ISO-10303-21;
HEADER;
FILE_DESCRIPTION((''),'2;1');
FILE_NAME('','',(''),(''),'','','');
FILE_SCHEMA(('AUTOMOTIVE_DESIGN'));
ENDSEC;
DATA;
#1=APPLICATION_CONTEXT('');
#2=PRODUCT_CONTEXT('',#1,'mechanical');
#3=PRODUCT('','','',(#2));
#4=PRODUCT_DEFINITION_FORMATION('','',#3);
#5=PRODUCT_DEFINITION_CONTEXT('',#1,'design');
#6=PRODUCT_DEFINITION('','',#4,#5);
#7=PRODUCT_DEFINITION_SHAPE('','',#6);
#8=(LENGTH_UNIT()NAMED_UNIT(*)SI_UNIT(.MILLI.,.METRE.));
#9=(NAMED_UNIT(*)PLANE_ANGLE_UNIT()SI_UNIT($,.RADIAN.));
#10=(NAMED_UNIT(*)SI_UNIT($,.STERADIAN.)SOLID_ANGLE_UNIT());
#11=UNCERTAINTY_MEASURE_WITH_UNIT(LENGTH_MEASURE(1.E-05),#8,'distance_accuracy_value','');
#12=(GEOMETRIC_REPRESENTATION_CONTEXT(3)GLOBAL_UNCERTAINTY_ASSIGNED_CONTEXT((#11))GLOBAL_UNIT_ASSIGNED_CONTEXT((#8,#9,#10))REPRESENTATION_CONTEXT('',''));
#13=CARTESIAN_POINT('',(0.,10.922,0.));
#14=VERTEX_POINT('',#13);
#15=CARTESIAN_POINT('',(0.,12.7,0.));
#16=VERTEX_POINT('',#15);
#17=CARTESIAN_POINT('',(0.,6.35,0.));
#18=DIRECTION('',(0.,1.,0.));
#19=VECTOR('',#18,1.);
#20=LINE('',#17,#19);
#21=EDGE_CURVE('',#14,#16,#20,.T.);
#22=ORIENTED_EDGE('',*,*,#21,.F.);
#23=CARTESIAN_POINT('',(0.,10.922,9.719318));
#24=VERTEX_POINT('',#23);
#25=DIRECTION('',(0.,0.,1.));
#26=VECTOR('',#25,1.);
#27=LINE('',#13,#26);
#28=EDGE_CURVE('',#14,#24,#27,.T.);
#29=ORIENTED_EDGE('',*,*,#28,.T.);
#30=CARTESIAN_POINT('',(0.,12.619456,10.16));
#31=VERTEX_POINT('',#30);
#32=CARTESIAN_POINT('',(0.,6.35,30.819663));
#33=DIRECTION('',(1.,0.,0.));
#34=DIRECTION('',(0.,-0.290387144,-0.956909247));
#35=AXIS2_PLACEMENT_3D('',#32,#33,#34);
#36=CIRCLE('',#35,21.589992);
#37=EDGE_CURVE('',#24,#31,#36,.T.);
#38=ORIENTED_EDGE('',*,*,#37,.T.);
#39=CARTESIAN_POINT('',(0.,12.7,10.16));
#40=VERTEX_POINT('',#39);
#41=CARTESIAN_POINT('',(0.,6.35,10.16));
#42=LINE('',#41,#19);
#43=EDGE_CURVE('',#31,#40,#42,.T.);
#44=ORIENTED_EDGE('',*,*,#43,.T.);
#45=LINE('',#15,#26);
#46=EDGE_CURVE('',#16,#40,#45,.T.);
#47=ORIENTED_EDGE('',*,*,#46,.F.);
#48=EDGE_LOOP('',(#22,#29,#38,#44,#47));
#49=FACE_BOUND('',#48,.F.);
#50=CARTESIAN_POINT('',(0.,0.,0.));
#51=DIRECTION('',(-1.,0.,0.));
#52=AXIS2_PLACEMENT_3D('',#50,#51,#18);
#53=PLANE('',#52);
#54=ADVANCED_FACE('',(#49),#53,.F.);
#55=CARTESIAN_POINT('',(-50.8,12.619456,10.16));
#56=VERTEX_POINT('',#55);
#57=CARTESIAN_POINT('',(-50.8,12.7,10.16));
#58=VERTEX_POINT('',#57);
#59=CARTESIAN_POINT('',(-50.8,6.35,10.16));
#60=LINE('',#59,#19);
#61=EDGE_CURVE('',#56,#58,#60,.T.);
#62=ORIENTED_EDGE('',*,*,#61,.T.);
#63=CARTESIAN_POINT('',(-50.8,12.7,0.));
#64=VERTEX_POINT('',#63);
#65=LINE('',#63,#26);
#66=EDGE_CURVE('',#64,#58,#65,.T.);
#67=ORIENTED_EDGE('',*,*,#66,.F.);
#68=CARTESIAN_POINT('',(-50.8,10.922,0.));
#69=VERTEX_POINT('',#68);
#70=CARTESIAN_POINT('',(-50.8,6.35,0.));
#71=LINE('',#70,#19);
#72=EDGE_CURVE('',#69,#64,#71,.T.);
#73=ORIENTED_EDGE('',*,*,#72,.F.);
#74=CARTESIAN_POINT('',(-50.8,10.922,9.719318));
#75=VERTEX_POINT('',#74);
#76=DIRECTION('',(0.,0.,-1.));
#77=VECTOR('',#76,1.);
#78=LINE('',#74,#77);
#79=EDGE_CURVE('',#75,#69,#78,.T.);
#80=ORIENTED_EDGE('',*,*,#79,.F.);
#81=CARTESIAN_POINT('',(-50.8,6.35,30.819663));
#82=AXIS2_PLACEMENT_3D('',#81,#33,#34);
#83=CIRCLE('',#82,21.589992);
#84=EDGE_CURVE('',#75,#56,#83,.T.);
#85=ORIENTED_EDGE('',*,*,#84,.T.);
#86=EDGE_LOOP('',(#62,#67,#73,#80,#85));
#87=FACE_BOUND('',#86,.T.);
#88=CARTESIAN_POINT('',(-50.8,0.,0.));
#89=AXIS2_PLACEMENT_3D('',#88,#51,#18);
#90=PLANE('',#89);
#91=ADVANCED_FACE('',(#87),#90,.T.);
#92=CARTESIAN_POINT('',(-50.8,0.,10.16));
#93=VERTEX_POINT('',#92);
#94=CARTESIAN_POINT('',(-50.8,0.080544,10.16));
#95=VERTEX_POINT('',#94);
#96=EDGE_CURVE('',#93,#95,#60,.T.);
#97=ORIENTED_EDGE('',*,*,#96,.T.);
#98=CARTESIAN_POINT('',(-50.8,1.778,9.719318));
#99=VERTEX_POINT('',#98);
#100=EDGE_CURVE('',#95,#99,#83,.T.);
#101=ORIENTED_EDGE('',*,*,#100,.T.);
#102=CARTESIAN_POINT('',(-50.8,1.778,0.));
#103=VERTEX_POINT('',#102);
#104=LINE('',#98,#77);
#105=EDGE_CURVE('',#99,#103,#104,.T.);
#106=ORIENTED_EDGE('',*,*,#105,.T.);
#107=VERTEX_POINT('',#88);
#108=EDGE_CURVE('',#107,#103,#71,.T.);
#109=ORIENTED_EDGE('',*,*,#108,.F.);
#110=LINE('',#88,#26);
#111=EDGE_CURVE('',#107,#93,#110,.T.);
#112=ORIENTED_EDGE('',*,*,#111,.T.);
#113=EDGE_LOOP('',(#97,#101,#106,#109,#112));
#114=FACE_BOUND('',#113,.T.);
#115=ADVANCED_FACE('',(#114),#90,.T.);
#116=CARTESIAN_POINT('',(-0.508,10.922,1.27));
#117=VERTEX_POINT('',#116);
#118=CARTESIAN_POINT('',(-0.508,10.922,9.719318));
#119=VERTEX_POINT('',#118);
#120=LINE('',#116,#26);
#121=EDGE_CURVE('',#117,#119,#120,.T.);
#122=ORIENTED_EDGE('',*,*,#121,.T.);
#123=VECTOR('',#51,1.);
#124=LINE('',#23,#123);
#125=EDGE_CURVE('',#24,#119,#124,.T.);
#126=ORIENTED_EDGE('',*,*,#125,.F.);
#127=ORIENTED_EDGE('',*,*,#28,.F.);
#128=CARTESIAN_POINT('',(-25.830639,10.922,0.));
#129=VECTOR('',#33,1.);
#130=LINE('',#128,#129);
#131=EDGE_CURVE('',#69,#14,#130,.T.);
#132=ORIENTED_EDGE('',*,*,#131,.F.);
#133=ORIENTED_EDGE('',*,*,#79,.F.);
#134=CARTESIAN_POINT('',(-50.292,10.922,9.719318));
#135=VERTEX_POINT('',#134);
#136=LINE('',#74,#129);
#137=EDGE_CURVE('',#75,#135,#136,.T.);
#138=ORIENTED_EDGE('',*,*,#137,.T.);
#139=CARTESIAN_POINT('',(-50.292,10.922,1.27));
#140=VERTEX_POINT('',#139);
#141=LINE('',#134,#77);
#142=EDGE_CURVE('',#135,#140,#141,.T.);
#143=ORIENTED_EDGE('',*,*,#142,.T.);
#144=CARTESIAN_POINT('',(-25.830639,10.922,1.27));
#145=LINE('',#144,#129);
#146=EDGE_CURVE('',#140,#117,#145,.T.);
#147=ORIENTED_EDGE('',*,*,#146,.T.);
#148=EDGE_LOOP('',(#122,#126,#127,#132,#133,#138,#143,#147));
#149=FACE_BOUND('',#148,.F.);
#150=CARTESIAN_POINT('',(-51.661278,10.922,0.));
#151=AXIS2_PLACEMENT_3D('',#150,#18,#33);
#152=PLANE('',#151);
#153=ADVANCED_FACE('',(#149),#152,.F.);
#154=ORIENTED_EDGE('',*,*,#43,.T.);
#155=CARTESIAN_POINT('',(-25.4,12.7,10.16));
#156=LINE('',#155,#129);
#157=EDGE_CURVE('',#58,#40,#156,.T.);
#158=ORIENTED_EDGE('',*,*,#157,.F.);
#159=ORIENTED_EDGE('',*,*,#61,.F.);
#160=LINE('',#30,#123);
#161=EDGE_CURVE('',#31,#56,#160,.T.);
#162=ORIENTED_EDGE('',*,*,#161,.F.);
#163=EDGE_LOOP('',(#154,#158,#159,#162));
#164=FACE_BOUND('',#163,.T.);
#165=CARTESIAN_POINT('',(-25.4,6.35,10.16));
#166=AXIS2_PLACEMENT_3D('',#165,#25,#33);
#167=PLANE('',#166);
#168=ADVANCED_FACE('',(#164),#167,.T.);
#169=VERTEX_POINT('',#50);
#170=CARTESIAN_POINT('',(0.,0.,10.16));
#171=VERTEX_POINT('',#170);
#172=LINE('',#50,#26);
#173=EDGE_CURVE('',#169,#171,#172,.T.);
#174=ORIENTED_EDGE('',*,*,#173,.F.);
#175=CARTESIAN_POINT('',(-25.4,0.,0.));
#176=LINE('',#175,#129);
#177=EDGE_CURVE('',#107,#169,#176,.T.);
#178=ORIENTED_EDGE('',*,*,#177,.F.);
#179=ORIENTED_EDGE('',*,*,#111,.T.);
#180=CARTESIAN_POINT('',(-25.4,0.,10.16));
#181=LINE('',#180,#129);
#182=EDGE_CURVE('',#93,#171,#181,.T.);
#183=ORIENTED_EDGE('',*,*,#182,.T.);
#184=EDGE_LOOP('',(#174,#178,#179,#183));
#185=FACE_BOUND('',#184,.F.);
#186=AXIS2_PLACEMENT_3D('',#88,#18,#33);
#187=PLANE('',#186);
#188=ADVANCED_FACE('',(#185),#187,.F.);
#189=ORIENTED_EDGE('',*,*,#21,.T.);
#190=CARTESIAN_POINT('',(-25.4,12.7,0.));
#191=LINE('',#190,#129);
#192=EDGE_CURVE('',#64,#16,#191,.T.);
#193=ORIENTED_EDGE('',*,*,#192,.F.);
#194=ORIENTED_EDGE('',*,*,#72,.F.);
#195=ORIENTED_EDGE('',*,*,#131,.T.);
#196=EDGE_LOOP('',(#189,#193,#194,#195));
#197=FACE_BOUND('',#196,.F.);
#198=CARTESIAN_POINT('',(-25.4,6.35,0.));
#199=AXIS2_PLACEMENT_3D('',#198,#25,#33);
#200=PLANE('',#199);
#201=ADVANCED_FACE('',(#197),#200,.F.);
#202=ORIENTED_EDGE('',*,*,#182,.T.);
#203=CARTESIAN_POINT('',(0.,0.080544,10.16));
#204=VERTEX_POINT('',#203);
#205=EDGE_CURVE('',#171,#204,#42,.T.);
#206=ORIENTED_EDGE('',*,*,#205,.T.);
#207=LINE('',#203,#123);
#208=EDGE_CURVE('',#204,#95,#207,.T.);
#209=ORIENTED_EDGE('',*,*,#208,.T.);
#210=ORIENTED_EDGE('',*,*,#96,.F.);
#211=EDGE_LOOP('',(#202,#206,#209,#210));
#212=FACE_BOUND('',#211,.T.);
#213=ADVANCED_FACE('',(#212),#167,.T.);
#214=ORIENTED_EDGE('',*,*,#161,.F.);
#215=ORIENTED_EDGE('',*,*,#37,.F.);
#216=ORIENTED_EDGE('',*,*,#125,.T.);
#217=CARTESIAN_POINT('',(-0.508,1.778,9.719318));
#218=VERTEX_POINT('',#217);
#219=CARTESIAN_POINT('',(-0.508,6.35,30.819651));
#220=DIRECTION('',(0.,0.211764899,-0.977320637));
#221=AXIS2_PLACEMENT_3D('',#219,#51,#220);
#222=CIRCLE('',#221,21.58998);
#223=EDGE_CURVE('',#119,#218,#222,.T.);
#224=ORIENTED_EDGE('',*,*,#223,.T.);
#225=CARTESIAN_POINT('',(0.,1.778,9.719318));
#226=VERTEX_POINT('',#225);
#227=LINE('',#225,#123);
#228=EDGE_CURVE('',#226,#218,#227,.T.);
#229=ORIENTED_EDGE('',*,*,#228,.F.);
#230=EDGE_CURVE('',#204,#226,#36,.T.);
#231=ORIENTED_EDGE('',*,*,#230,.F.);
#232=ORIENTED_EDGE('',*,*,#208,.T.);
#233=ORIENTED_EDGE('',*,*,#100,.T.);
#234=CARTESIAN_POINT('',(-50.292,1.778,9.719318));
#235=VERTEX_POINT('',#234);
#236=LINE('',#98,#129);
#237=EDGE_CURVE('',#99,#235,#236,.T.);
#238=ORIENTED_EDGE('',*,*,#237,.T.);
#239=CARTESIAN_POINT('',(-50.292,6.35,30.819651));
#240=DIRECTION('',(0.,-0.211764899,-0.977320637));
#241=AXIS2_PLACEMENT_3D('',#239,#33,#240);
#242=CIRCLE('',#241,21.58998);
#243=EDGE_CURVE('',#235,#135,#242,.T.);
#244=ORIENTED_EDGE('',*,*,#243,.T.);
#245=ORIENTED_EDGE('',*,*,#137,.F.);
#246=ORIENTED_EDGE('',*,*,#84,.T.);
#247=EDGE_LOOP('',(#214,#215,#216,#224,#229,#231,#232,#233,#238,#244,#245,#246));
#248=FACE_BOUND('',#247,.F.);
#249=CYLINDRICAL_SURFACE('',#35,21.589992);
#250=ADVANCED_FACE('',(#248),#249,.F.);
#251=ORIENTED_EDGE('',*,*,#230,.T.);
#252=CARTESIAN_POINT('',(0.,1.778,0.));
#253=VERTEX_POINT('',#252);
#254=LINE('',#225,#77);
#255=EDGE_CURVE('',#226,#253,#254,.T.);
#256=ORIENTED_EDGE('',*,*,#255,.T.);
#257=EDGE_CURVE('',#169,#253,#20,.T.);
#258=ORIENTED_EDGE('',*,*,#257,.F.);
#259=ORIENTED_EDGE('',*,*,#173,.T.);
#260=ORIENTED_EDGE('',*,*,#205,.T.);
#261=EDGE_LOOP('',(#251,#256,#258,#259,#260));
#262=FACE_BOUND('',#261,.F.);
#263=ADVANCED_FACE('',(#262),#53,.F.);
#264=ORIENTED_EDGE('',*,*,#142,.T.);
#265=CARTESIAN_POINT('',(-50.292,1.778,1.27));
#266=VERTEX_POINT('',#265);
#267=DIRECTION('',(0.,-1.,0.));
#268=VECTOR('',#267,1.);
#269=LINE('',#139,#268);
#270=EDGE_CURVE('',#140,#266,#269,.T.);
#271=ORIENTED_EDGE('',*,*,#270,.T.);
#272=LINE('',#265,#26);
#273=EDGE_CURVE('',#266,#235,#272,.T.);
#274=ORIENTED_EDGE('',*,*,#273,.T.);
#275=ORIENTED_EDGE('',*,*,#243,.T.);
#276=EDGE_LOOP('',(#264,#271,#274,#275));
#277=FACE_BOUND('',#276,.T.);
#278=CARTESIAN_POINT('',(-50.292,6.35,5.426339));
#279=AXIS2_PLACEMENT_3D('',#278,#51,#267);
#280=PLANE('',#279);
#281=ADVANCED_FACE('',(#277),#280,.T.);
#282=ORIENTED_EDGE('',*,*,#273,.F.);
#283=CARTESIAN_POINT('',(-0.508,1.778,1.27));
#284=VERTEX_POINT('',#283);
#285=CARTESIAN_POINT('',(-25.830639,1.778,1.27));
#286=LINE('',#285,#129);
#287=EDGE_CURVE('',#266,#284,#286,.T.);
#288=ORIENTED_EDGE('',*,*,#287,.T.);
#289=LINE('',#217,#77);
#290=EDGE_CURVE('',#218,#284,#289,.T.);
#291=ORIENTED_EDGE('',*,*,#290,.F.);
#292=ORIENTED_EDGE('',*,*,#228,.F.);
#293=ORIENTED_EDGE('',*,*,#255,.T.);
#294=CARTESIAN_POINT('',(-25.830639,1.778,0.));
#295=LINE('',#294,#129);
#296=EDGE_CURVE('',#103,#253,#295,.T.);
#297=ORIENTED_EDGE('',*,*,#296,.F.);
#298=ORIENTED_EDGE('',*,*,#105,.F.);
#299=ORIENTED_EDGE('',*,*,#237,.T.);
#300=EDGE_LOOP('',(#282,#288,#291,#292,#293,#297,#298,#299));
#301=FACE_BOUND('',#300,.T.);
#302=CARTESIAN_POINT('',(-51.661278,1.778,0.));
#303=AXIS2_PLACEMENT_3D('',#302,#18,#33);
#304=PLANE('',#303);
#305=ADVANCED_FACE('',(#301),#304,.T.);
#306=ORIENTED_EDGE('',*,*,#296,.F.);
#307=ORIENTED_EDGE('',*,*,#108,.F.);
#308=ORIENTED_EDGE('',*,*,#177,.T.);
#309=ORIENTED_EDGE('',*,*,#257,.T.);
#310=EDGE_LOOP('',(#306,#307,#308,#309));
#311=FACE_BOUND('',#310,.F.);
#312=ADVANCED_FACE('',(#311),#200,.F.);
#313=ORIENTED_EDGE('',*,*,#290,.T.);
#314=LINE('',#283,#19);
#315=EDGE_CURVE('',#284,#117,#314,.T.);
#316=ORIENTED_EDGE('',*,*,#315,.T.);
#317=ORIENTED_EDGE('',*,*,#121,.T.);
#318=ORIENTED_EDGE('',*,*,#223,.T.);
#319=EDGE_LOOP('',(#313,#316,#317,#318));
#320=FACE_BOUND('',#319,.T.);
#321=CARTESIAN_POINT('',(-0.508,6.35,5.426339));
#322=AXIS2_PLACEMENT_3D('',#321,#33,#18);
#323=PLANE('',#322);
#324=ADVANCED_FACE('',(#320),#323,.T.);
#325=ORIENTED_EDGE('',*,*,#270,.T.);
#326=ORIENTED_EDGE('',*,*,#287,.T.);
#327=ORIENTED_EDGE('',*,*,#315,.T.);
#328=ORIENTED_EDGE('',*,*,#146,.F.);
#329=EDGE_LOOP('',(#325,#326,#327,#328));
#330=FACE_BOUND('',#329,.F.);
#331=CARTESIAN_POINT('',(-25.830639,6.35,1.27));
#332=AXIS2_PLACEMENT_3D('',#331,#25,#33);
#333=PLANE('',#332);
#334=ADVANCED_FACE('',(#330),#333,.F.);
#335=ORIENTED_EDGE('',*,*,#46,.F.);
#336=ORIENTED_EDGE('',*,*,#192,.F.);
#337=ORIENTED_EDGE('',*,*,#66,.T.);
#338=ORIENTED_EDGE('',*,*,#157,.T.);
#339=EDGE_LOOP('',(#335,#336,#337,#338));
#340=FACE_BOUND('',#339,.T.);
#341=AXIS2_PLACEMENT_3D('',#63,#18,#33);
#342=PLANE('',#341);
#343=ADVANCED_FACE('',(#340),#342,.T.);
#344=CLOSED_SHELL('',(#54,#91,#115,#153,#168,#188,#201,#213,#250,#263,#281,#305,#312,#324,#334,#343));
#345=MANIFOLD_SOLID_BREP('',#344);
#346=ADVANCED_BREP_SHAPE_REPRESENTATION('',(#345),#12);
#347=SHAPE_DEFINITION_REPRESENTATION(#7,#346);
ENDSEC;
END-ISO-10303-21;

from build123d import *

# Parameters (mm, degrees)
F0_W     = 50.8
F0_H     = 12.7
F1_DEPTH = 10.16
F2_W     = 51.661278
F2_H     = 9.144
F3_DEPTH = 1.27
F5_DEPTH = 59.69
F7_DEPTH = 0.508
F9_DEPTH = 0.508


with BuildPart() as f1:
    # F0 (on Top) → F1 (new body)
    with BuildSketch(Plane.XY):
        with Locations((-25.4, 6.35)):
            Rectangle(F0_W, F0_H)
    extrude(amount=F1_DEPTH)

    # F2 (on Top) → F3 (cut)
    with BuildSketch(Plane.XY):
        with Locations((-25.830639, 6.35)):
            Rectangle(F2_W, F2_H)
    extrude(amount=F3_DEPTH, mode=Mode.SUBTRACT)

    # F4 (on face) → F5 (cut)
    with BuildSketch(Plane.YZ):
        with BuildLine():
            ThreePointArc((12.619456, 10.16), (23.691939, 17.959451), (27.94, 30.819671))
            ThreePointArc((27.94, 30.819671), (-6.51022, 48.16161), (0.080544, 10.16))
            Line((0.080544, 10.16), (12.619456, 10.16))
        make_face()
        with BuildLine():
            Line((12.619456, 10.16), (0.080544, 10.16))
            ThreePointArc((0.080544, 10.16), (6.35, 9.229671), (12.619456, 10.16))
        make_face()
    extrude(amount=-F5_DEPTH, mode=Mode.SUBTRACT)

    # F6 (on face) → F7 (cut)
    with BuildSketch(Plane.YZ):
        with BuildLine():
            Line((1.778, 9.719318), (1.778, 1.27))
            Line((1.778, 1.27), (10.922, 1.27))
            Line((10.922, 1.27), (10.922, 9.719318))
            ThreePointArc((10.922, 9.719318), (6.35, 9.229671), (1.778, 9.719318))
        make_face()
    extrude(amount=-F7_DEPTH, mode=Mode.SUBTRACT)

    # F8 (on face) → F9 (cut)
    with BuildSketch(Plane(origin=(-50.8, 0, 0), x_dir=(0, -1, 0), z_dir=(-1, 0, 0))):
        with BuildLine():
            Line((-10.922, 1.27), (-1.778, 1.27))
            Line((-1.778, 1.27), (-1.778, 9.719318))
            ThreePointArc((-1.778, 9.719318), (-6.35, 9.229671), (-10.922, 9.719318))
            Line((-10.922, 9.719318), (-10.922, 1.27))
        make_face()
    extrude(amount=-F9_DEPTH, mode=Mode.SUBTRACT)


solid = f1.part
